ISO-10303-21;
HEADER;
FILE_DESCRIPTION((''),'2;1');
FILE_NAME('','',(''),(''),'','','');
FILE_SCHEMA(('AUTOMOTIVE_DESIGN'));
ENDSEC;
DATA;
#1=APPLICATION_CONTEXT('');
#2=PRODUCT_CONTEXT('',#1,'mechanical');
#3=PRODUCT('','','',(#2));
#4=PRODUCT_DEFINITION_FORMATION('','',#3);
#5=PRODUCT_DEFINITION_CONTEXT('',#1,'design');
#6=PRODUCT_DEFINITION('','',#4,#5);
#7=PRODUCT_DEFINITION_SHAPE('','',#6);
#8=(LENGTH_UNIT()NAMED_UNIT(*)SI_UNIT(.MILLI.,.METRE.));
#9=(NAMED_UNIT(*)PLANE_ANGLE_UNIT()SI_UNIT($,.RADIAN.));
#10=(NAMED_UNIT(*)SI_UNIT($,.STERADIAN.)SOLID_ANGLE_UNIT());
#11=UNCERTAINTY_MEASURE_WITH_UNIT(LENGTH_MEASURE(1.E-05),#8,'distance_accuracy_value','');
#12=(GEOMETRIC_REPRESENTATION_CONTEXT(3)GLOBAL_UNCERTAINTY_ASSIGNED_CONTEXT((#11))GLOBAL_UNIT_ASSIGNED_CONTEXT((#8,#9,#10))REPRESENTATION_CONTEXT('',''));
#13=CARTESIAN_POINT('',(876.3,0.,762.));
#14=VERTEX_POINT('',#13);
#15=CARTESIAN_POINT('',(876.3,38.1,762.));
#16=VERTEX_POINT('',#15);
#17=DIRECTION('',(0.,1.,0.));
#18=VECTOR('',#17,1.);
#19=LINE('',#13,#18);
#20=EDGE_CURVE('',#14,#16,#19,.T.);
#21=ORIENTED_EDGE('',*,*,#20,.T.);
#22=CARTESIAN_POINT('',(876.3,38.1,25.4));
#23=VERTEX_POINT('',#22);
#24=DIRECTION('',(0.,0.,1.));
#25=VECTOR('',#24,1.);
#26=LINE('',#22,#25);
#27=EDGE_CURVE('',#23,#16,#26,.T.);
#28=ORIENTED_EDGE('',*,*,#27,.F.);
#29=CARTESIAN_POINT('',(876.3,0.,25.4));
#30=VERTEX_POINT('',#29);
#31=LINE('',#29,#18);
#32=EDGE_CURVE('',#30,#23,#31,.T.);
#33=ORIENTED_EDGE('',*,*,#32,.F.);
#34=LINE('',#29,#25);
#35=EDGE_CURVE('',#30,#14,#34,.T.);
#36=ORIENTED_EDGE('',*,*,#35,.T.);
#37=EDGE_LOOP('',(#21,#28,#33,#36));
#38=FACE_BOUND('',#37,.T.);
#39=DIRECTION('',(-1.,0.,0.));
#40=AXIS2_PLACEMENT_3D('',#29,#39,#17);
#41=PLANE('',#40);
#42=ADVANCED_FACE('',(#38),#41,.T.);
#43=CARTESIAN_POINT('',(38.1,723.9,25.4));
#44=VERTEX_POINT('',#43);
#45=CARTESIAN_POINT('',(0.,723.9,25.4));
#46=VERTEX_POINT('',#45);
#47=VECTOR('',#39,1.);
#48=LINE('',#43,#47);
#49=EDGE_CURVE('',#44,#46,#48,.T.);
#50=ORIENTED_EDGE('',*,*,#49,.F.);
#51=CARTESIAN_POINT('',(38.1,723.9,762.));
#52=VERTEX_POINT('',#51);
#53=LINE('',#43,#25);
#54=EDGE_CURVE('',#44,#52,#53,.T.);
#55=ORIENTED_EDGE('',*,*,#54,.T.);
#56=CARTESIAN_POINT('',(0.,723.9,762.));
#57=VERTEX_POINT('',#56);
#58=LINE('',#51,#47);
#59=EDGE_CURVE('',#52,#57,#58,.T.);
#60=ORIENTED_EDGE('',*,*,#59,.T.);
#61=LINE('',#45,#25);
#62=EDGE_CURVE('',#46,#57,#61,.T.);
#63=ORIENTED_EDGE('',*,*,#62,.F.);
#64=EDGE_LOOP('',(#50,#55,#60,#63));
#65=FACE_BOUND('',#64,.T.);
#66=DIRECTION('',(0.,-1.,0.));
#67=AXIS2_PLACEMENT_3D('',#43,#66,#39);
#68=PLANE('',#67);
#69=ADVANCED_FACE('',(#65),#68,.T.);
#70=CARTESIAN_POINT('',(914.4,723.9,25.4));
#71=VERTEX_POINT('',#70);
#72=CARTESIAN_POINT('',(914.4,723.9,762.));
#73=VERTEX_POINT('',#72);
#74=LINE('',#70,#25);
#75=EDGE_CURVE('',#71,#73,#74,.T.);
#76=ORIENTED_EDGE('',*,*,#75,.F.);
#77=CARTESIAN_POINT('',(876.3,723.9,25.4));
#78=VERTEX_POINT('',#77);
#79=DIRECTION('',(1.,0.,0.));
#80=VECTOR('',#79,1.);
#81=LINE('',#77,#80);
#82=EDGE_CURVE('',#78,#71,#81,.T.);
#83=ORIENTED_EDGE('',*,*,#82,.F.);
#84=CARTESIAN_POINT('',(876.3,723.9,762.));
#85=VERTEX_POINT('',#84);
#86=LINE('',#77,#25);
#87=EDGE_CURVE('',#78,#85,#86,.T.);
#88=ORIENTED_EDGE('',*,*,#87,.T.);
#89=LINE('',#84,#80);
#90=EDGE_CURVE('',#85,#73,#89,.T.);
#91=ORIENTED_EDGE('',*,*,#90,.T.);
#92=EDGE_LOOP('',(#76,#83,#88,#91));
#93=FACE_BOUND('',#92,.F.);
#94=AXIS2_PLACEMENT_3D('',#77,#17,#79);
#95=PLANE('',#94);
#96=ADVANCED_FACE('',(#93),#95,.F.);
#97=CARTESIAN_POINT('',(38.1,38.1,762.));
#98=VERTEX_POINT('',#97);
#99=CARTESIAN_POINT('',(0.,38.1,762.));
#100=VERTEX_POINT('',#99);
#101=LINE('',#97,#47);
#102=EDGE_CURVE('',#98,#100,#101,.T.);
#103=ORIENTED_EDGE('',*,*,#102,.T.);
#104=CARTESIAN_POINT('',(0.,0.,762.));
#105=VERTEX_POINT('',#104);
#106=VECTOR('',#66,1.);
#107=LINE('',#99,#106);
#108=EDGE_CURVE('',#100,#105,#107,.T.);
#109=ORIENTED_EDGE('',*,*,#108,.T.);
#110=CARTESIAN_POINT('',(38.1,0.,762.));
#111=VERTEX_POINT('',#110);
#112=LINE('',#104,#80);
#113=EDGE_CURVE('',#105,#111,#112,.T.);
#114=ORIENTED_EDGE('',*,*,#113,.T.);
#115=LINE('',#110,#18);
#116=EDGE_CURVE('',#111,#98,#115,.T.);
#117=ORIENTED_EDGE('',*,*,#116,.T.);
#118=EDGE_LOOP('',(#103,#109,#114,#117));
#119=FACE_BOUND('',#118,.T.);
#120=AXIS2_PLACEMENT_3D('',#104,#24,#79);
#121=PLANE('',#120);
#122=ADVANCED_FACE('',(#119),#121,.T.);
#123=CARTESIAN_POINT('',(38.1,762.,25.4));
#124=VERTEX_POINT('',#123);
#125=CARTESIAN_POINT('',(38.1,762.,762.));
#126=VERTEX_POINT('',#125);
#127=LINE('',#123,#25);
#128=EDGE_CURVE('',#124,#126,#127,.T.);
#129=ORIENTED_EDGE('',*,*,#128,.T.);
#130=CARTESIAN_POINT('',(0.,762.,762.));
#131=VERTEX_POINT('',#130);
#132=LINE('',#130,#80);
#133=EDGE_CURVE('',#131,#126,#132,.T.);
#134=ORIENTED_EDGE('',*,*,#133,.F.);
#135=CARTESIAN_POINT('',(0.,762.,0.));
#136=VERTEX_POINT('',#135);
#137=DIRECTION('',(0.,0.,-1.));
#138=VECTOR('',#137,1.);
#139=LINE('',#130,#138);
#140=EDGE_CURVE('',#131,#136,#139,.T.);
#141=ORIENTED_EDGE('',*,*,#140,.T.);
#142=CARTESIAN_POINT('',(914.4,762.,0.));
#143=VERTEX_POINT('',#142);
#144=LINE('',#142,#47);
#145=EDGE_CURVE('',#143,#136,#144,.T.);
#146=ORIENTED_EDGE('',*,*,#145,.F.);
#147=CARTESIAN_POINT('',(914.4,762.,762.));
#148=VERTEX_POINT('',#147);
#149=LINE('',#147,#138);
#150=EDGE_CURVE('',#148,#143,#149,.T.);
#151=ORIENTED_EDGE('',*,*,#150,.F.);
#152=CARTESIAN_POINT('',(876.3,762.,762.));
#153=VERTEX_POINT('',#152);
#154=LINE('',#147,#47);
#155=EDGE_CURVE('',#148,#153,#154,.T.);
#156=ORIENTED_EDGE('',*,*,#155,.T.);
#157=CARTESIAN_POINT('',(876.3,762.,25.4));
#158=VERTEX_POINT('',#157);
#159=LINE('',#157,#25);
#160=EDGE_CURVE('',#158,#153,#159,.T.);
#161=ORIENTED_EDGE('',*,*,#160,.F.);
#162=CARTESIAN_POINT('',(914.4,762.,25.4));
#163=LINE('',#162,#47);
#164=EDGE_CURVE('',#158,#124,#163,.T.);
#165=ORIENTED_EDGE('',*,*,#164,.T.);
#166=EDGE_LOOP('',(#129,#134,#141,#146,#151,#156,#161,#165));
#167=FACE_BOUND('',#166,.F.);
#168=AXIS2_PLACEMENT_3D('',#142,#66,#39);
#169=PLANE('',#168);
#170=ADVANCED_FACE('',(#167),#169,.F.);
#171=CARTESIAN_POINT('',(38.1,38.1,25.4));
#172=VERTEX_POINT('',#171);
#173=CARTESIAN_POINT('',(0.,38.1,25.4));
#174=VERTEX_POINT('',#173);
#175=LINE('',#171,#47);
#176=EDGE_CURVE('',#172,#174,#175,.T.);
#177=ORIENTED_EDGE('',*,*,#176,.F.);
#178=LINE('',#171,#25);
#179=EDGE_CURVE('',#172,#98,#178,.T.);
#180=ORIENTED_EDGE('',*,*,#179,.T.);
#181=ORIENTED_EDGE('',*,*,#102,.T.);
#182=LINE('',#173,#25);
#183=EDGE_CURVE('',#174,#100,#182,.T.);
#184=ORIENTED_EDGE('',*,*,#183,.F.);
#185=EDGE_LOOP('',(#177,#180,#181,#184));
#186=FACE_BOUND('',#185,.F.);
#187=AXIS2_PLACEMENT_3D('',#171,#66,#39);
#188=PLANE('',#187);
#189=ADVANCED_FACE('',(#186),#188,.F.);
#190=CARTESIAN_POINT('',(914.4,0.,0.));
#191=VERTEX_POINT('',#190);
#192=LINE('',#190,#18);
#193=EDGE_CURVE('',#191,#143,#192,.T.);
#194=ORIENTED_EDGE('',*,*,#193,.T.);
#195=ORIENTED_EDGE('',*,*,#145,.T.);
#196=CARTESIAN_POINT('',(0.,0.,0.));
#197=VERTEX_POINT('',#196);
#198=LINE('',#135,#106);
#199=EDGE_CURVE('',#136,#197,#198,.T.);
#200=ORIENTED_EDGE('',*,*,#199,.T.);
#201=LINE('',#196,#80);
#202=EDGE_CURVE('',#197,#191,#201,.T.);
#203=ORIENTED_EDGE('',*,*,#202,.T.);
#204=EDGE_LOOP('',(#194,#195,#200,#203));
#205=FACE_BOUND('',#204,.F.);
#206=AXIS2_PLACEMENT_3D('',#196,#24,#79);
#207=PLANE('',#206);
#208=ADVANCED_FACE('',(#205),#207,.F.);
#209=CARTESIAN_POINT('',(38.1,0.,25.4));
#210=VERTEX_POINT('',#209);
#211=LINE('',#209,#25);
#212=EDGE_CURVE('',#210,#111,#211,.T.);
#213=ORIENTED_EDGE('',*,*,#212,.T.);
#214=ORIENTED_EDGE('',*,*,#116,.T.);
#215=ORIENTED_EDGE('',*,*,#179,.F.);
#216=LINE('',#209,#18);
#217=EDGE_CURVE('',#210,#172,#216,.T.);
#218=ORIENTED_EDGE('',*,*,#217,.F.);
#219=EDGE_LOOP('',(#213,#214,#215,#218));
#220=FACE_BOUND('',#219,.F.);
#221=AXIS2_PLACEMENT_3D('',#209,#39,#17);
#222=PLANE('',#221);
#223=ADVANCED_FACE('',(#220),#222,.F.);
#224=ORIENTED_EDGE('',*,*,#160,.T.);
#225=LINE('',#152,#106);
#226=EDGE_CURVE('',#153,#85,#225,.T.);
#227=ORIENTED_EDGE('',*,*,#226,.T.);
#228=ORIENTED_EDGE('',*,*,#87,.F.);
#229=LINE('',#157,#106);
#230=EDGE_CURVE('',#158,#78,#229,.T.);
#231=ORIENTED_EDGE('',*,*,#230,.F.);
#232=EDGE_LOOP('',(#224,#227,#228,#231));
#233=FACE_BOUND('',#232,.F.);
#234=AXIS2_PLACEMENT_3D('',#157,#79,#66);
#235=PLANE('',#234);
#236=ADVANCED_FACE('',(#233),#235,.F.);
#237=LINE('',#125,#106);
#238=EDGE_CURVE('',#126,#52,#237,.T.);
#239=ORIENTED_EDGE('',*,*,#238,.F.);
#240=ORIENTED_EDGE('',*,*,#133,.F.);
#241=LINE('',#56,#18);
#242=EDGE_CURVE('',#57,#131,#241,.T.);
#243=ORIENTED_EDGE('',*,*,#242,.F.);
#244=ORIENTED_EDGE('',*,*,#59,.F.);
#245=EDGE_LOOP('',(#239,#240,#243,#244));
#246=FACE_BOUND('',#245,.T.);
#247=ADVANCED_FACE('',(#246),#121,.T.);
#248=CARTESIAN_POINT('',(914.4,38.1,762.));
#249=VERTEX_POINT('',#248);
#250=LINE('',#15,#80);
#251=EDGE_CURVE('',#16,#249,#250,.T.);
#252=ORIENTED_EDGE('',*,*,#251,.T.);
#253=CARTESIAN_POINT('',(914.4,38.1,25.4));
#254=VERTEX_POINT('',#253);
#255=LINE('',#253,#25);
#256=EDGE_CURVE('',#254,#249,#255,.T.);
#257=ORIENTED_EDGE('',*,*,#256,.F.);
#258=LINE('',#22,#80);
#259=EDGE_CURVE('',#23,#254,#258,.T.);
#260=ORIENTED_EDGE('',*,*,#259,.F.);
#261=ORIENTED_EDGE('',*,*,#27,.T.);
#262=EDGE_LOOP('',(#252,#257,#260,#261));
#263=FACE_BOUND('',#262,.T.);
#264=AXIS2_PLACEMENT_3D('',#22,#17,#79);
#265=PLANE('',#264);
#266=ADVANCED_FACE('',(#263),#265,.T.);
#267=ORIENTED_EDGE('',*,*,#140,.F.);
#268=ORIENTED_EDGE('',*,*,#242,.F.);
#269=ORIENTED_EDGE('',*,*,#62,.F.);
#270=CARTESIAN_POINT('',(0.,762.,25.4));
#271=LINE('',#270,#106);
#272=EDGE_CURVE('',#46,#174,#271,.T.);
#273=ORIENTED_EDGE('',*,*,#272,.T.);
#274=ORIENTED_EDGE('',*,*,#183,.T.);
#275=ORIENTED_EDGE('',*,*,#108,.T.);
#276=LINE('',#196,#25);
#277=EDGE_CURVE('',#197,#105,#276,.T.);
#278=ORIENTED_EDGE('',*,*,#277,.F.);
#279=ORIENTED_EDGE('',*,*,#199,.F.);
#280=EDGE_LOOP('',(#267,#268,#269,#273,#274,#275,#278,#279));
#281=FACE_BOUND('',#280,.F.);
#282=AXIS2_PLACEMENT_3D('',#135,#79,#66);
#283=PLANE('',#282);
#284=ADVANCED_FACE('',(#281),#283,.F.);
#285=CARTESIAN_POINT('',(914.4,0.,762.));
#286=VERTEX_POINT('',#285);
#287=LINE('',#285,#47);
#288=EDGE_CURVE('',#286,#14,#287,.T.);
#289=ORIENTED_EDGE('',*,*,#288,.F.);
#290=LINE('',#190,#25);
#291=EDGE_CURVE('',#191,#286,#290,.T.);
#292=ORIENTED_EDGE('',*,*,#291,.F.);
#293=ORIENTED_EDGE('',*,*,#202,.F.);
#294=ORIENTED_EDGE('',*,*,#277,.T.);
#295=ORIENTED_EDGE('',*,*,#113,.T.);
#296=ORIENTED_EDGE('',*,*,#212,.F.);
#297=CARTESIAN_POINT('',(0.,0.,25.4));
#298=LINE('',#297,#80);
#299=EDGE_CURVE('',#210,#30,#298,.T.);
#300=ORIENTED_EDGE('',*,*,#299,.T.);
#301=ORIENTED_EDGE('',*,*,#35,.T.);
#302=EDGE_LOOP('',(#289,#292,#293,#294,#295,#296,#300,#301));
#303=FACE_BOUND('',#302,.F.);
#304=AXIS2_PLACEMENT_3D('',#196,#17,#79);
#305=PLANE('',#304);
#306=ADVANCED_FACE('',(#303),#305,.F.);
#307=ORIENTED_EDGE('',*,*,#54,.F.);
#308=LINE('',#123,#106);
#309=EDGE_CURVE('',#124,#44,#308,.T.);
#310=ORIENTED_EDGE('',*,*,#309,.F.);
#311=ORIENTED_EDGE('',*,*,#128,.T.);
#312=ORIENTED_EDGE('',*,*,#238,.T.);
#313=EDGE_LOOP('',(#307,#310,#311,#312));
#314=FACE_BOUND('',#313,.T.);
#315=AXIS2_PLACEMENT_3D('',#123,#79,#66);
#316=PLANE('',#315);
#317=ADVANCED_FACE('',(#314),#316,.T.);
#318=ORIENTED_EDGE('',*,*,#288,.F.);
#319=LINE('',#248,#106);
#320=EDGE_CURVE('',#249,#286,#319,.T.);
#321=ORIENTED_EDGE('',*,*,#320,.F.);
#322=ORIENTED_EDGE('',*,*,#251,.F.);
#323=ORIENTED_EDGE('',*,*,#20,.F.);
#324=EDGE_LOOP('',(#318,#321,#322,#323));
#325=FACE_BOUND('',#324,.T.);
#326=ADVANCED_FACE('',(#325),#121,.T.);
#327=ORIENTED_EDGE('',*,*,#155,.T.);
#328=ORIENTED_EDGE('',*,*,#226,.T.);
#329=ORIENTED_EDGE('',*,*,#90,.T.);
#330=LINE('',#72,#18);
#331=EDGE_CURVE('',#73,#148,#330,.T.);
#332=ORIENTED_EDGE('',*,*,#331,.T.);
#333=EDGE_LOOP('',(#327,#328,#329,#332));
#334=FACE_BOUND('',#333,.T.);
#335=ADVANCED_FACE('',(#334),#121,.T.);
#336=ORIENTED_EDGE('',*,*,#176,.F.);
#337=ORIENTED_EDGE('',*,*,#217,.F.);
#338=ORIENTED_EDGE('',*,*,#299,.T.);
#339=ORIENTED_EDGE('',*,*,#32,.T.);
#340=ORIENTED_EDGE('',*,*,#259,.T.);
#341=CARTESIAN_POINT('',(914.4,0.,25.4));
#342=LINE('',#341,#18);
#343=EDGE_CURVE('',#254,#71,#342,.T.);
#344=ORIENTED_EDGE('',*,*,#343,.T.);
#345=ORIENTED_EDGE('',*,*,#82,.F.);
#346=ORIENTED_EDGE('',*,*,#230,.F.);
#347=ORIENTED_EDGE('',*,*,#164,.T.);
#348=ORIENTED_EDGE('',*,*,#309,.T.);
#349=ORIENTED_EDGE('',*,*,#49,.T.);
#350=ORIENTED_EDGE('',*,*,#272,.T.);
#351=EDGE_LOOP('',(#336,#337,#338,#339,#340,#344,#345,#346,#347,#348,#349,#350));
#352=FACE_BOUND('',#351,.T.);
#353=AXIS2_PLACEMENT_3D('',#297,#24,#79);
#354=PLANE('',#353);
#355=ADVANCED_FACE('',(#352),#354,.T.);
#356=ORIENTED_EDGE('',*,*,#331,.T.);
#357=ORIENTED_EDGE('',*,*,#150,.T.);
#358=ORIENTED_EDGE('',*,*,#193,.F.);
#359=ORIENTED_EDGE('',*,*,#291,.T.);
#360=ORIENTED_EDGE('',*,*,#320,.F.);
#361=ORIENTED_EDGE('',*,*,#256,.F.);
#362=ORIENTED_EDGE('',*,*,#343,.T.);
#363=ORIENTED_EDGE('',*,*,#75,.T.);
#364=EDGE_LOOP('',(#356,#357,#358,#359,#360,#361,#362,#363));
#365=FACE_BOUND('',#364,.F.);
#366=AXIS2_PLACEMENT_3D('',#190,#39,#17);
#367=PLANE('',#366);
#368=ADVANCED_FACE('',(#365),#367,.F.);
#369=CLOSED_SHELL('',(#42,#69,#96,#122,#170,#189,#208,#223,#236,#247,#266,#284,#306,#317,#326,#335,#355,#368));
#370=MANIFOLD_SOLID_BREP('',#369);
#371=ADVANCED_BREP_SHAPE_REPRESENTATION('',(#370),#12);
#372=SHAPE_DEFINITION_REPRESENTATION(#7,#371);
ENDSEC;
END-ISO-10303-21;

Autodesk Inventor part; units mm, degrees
ref_plane "YZ Plane" through (0, 0, 0) normal (1, 0, 0) x (0, 1, 0)
ref_plane "XZ Plane" through (0, 0, 0) normal (0, 1, 0) x (-1, 0, 0)
ref_plane "XY Plane" through (0, 0, 0) normal (0, 0, 1) x (1, 0, 0)
sketch "Sketch1" plane through (0, 0, 0) normal (0, 0, 1) x (1, 0, 0)
  line L0 (0, 0) -> (914.4, 0)
  line L1 (914.4, 0) -> (914.4, 762)
  line L2 (914.4, 762) -> (0, 762)
  line L3 (0, 762) -> (0, 0)
  dimension "d0" = 914.4
  dimension "d1" = 762
extrude "Extrusion1" add sketch "Sketch1" along normal blind 25.4
sketch "Sketch2" plane through (0, 0, 25.4) normal (0, 0, 1) x (1, 0, 0)
  line L0 (0, 762) -> (38.1, 762)
  line L1 (38.1, 762) -> (38.1, 723.9)
  line L2 (38.1, 723.9) -> (0, 723.9)
  line L3 (0, 723.9) -> (0, 762)
  line L4 (914.4, 762) -> (876.3, 762)
  line L5 (876.3, 762) -> (876.3, 723.9)
  line L6 (876.3, 723.9) -> (914.4, 723.9)
  line L7 (914.4, 723.9) -> (914.4, 762)
  line L8 (914.4, 0) -> (876.3, 0)
  line L9 (876.3, 0) -> (876.3, 38.1)
  line L10 (876.3, 38.1) -> (914.4, 38.1)
  line L11 (914.4, 38.1) -> (914.4, 0)
  line L12 (0, 0) -> (38.1, 0)
  line L13 (38.1, 0) -> (38.1, 38.1)
  line L14 (38.1, 38.1) -> (0, 38.1)
  line L15 (0, 38.1) -> (0, 0)
  dimension "d4" = 38.1
extrude "Extrusion2" add sketch "Sketch2" along normal blind 736.6
properties part number "table"
